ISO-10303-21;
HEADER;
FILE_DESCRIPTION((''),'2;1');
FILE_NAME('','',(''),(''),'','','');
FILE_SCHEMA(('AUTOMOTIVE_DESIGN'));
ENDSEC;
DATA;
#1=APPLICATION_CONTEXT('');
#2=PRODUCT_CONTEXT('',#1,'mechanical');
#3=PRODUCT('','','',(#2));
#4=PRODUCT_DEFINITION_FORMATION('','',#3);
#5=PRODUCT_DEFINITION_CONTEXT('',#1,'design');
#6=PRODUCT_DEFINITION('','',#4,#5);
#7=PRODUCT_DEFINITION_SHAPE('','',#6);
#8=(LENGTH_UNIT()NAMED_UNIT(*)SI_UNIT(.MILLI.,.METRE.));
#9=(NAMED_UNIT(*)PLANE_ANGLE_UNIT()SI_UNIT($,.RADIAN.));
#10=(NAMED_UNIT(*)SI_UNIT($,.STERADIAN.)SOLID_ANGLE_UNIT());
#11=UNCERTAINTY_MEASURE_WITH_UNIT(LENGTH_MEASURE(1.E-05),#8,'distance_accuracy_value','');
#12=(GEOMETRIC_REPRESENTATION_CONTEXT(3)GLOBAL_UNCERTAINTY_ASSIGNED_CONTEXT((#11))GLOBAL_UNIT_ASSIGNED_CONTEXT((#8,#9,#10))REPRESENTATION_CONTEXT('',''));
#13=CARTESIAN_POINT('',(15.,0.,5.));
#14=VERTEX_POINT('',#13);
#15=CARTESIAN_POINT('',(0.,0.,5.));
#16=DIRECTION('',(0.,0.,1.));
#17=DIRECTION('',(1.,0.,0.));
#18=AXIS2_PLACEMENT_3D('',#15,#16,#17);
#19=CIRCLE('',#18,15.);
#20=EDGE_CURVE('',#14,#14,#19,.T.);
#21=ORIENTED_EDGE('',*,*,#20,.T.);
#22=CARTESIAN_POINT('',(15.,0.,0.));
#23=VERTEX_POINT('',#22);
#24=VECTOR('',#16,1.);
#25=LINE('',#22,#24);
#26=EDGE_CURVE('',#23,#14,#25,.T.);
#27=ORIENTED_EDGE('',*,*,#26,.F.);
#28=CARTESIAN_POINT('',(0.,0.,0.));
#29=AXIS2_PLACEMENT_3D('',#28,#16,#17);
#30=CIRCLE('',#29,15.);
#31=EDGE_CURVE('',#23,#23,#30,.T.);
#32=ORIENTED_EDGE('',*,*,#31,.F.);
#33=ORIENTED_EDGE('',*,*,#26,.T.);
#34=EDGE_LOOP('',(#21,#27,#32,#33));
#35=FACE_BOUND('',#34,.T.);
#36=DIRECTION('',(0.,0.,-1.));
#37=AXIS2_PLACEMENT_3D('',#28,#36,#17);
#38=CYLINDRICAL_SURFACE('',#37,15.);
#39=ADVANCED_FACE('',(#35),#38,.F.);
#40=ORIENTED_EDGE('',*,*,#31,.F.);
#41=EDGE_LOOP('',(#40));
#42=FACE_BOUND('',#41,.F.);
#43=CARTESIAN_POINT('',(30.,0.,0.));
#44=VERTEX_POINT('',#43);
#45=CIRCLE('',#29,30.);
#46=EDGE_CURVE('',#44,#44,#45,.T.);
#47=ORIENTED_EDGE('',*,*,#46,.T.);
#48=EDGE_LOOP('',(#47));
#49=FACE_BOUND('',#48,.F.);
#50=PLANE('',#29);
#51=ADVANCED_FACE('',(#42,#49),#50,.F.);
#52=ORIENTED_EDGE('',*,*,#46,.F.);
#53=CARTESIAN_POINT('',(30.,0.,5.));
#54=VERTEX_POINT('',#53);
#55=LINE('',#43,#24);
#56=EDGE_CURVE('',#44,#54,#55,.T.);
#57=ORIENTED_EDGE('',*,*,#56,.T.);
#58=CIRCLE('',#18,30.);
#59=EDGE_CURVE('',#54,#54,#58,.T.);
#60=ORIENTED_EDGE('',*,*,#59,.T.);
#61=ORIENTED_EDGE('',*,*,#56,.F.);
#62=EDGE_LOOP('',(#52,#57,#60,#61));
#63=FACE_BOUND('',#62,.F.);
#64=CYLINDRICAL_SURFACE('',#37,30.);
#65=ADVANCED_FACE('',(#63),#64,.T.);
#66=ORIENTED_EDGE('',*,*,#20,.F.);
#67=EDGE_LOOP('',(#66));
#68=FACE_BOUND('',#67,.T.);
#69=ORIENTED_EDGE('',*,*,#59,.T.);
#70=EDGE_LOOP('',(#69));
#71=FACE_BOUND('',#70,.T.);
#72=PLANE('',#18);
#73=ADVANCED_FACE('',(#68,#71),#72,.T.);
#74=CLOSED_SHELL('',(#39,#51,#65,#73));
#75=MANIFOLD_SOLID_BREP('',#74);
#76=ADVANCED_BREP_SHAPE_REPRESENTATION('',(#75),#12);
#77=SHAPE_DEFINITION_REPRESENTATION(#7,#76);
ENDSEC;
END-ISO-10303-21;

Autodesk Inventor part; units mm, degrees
ref_plane "YZ Plane" through (0, 0, 0) normal (1, 0, 0) x (0, 1, 0)
ref_plane "XZ Plane" through (0, 0, 0) normal (0, 1, 0) x (-1, 0, 0)
ref_plane "XY Plane" through (0, 0, 0) normal (0, 0, 1) x (1, 0, 0)
sketch "草圖1" plane through (0, 0, 0) normal (0, 0, 1) x (1, 0, 0)
  circle A0 centre (0, 0) radius 30
  circle A1 centre (0, 0) radius 15
  dimension "d0" = 60
  dimension "d1" = 30
extrude "擠出1" add sketch "草圖1" along normal blind 5
properties part number "間隔環"
